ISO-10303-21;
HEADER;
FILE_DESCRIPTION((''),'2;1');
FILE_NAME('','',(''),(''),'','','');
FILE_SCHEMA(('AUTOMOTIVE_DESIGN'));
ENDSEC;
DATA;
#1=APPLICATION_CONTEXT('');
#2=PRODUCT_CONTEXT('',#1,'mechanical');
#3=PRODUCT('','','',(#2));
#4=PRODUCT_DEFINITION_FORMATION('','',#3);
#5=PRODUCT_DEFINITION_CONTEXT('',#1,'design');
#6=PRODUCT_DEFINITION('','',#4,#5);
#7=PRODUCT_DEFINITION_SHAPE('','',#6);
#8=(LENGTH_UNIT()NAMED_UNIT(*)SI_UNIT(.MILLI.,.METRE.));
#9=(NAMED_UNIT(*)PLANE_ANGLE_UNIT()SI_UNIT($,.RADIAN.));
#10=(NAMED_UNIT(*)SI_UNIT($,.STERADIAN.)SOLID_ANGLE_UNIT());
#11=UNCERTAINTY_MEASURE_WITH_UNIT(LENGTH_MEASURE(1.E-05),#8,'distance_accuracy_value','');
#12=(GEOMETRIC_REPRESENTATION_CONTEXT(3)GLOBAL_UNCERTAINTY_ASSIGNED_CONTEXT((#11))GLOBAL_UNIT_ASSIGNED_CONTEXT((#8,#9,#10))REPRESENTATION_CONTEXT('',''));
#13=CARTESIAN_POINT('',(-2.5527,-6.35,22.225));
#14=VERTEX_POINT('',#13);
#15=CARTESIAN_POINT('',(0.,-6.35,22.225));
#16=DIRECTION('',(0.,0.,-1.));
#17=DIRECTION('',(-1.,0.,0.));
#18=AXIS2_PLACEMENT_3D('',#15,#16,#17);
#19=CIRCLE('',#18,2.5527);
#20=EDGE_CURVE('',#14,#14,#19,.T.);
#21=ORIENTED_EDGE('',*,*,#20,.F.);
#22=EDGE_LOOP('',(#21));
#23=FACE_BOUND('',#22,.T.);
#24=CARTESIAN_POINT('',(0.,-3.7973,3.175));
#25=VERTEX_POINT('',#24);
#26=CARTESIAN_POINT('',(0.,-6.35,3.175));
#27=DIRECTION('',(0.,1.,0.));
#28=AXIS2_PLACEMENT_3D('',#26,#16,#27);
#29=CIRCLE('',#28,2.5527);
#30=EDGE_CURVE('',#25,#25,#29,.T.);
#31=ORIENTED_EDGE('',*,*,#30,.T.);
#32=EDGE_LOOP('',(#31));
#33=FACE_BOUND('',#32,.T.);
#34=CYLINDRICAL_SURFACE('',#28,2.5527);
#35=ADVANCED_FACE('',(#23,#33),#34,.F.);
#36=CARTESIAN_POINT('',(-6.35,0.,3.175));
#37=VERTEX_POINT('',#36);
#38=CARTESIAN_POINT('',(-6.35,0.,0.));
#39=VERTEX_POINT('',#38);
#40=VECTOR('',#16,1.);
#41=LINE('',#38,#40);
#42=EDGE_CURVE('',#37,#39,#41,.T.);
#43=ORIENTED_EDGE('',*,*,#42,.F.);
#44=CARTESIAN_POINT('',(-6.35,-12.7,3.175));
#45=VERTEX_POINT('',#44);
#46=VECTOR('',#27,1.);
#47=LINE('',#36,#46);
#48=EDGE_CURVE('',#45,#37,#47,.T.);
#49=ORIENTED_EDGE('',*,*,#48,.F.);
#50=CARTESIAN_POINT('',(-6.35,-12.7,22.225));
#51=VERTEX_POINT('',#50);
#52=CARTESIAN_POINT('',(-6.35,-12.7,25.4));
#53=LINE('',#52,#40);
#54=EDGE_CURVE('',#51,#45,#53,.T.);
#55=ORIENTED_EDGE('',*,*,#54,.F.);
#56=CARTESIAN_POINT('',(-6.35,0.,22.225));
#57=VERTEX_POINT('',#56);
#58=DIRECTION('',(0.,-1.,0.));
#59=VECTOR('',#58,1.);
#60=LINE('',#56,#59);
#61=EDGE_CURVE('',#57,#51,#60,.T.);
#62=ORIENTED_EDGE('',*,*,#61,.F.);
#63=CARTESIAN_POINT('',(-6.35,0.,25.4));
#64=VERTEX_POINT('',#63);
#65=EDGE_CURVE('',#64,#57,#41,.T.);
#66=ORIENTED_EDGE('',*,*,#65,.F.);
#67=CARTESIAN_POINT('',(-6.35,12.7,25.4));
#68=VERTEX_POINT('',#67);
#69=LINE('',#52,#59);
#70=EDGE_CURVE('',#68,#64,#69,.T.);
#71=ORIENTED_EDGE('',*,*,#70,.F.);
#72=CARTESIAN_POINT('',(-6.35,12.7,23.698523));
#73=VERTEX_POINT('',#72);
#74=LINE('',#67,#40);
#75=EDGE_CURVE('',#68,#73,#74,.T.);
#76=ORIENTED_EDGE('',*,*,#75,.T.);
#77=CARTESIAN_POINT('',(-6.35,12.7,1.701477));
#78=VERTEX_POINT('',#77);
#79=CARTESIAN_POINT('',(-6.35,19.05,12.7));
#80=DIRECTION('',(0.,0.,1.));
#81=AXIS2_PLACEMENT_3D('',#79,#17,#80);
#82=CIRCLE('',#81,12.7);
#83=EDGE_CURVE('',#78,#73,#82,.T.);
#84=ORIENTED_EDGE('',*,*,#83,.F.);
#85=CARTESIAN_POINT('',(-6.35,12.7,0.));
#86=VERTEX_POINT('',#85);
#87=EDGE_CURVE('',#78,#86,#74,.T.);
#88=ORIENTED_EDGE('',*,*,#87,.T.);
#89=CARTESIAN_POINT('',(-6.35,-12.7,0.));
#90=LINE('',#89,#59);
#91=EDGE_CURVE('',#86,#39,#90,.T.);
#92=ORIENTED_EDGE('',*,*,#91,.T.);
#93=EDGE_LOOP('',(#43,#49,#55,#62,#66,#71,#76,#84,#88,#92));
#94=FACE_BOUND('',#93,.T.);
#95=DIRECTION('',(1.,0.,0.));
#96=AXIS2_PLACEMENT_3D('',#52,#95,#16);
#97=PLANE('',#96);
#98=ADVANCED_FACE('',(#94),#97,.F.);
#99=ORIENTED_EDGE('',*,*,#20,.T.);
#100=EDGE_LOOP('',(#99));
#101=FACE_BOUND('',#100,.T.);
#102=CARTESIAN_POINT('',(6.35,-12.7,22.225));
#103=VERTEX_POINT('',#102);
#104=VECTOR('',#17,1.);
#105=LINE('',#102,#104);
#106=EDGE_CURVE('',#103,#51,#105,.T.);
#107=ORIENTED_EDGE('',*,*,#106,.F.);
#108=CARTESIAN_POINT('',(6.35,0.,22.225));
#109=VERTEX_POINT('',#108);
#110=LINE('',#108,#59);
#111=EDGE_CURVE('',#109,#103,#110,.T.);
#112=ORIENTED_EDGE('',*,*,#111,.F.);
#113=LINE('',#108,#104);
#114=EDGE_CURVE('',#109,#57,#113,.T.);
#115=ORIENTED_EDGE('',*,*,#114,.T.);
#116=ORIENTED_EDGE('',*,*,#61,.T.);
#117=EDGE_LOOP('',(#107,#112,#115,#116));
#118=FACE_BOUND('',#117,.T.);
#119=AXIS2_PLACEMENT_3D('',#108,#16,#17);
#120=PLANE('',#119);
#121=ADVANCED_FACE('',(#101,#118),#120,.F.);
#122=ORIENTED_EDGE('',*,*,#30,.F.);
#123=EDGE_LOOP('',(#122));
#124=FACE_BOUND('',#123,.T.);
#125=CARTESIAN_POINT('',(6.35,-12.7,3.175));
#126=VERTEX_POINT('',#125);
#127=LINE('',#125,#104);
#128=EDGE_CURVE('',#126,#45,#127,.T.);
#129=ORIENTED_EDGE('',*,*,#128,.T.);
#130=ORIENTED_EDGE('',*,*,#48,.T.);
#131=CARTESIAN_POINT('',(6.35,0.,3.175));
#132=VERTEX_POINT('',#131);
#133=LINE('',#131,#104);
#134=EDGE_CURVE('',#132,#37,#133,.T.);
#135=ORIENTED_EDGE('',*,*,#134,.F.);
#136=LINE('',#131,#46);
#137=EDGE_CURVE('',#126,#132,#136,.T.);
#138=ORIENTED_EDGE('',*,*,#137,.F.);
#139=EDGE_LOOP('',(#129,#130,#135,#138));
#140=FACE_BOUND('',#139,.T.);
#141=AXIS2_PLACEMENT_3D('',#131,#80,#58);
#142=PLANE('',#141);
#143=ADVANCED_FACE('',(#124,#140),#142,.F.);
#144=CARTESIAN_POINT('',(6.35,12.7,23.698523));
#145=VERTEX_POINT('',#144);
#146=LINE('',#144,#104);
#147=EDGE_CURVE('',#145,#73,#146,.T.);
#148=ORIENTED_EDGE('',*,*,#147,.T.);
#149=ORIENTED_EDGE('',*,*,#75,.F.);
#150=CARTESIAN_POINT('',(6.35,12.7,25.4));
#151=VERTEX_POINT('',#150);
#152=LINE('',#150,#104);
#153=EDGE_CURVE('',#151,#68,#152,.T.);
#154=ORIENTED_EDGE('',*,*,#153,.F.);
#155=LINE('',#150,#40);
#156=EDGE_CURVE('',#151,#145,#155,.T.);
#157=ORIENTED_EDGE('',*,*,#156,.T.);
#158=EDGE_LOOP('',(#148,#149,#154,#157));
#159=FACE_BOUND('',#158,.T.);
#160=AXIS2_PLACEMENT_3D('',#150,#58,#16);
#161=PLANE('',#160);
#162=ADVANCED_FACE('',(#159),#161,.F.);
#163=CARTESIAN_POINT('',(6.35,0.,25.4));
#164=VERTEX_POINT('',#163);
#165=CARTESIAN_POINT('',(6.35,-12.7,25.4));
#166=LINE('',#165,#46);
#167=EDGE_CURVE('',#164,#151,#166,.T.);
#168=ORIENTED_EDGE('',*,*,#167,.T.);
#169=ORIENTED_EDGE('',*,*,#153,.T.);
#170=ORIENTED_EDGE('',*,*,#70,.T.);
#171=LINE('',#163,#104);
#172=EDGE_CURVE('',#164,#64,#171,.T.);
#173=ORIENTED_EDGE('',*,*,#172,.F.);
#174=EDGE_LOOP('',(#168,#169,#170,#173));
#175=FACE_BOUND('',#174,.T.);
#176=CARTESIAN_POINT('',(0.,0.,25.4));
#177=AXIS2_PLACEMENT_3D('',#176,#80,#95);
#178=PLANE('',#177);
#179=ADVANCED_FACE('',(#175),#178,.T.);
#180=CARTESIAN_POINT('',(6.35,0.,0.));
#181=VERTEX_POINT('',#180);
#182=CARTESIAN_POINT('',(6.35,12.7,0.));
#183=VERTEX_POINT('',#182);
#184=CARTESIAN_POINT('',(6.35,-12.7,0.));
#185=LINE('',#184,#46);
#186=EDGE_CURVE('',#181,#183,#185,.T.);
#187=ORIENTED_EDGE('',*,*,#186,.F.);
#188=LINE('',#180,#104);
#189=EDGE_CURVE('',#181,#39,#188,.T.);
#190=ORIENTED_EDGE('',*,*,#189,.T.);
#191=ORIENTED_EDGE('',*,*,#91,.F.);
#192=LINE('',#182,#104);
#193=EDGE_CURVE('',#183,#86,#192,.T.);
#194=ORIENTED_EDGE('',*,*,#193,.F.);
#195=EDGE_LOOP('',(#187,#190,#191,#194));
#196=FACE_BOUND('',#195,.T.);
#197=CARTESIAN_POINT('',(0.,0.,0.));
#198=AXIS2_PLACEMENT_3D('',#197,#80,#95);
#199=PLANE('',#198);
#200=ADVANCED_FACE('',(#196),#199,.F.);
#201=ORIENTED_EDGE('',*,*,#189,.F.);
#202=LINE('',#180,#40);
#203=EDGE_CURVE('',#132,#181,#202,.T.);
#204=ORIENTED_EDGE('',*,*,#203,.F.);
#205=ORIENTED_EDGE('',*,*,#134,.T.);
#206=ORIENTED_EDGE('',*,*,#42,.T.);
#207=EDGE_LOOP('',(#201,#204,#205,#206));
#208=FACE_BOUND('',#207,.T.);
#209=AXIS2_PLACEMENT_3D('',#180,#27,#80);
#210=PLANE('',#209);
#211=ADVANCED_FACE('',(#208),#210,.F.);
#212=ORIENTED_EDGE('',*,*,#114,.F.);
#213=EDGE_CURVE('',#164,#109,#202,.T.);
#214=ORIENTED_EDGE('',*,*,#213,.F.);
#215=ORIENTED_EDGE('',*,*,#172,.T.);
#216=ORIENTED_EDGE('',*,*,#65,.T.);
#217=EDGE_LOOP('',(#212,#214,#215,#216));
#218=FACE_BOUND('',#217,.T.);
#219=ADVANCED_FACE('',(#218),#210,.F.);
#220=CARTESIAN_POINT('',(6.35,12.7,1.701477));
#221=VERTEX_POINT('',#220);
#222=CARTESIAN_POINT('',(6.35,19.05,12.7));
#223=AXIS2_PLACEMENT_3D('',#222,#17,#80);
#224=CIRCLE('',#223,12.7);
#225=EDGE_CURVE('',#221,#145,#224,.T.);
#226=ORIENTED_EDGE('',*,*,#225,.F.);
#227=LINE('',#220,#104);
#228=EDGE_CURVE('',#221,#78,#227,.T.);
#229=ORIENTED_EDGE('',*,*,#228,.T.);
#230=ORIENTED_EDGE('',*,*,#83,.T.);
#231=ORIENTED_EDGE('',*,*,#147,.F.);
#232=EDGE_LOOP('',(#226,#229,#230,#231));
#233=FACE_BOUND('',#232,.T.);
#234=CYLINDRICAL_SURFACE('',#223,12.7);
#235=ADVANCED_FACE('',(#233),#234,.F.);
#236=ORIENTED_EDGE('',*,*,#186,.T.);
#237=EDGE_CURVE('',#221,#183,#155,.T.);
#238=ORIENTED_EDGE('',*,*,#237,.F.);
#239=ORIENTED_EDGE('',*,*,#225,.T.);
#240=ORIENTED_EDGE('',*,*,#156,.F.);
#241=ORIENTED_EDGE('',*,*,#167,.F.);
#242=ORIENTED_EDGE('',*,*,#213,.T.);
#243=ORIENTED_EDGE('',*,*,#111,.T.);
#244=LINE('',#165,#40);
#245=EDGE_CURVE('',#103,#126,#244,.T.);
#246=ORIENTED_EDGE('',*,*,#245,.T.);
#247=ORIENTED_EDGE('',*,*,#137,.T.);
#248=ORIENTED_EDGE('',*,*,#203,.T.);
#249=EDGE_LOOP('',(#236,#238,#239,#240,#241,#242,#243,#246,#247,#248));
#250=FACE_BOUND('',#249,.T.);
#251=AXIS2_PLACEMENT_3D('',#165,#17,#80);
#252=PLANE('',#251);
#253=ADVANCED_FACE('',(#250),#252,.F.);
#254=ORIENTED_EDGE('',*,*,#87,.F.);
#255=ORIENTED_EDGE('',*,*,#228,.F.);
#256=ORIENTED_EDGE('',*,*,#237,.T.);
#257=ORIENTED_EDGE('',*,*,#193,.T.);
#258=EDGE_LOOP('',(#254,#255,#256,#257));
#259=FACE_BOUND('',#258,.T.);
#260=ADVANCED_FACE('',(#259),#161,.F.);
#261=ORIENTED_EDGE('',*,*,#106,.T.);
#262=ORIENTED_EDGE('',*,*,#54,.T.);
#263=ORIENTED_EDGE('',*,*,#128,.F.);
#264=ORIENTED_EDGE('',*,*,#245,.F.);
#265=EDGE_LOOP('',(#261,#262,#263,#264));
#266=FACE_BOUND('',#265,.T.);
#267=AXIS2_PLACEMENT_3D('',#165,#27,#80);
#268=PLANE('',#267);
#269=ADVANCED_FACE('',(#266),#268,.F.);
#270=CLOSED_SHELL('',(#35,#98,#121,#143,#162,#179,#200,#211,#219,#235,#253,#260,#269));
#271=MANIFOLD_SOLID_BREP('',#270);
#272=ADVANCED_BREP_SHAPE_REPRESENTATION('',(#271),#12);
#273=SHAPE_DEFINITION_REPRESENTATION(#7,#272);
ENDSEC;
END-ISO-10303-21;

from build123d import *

# Parameters (mm, degrees)
SKETCH1_W               = 12.7
SKETCH1_H               = 25.4
BOSS_EXTRUDE1_DEPTH     = 25.4
SKETCH2_OUTSIDE_W       = 35.02
SKETCH2_OUTSIDE_H       = 35.02
CUT_EXTRUDE1_DEPTH      = 13.7
F_1_4_20_TAPPED_HOLE2_D = 5.1054


with BuildPart() as part:
    # Sketch1 → Boss-Extrude1 (new body)
    with BuildSketch(Plane.XY):
        Rectangle(SKETCH1_W, SKETCH1_H)
    extrude(amount=BOSS_EXTRUDE1_DEPTH)

    # Sketch2 outside → Cut-Extrude1 (cut, through all)
    with BuildSketch(Plane.ZY.offset(6.35)):
        with Locations((12.7, 0)):
            Rectangle(SKETCH2_OUTSIDE_W, SKETCH2_OUTSIDE_H)
        with BuildLine():
            Line((23.698522628, 12.7), (25.4, 12.7))
            Line((25.4, 12.7), (25.4, 0))
            Line((25.4, 0), (22.225, 0))
            Line((22.225, 0), (22.225, -12.7))
            Line((22.225, -12.7), (3.175, -12.7))
            Line((3.175, -12.7), (3.175, 0))
            Line((3.175, 0), (0, 0))
            Line((0, 0), (0, 12.7))
            Line((0, 12.7), (1.701477372, 12.7))
            ThreePointArc((1.701477372, 12.7), (12.7, 6.35), (23.698522628, 12.7))
        make_face(mode=Mode.SUBTRACT)
    extrude(amount=-CUT_EXTRUDE1_DEPTH, mode=Mode.SUBTRACT)

    # 1/4-20 Tapped Hole2 (through all)
    with Locations(Plane(origin=(0, -6.35, 3.175), x_dir=(0, -1, 0), z_dir=(0, 0, -1))):
        with Locations((0, 0)):
            Hole(F_1_4_20_TAPPED_HOLE2_D / 2)


solid = part.part
